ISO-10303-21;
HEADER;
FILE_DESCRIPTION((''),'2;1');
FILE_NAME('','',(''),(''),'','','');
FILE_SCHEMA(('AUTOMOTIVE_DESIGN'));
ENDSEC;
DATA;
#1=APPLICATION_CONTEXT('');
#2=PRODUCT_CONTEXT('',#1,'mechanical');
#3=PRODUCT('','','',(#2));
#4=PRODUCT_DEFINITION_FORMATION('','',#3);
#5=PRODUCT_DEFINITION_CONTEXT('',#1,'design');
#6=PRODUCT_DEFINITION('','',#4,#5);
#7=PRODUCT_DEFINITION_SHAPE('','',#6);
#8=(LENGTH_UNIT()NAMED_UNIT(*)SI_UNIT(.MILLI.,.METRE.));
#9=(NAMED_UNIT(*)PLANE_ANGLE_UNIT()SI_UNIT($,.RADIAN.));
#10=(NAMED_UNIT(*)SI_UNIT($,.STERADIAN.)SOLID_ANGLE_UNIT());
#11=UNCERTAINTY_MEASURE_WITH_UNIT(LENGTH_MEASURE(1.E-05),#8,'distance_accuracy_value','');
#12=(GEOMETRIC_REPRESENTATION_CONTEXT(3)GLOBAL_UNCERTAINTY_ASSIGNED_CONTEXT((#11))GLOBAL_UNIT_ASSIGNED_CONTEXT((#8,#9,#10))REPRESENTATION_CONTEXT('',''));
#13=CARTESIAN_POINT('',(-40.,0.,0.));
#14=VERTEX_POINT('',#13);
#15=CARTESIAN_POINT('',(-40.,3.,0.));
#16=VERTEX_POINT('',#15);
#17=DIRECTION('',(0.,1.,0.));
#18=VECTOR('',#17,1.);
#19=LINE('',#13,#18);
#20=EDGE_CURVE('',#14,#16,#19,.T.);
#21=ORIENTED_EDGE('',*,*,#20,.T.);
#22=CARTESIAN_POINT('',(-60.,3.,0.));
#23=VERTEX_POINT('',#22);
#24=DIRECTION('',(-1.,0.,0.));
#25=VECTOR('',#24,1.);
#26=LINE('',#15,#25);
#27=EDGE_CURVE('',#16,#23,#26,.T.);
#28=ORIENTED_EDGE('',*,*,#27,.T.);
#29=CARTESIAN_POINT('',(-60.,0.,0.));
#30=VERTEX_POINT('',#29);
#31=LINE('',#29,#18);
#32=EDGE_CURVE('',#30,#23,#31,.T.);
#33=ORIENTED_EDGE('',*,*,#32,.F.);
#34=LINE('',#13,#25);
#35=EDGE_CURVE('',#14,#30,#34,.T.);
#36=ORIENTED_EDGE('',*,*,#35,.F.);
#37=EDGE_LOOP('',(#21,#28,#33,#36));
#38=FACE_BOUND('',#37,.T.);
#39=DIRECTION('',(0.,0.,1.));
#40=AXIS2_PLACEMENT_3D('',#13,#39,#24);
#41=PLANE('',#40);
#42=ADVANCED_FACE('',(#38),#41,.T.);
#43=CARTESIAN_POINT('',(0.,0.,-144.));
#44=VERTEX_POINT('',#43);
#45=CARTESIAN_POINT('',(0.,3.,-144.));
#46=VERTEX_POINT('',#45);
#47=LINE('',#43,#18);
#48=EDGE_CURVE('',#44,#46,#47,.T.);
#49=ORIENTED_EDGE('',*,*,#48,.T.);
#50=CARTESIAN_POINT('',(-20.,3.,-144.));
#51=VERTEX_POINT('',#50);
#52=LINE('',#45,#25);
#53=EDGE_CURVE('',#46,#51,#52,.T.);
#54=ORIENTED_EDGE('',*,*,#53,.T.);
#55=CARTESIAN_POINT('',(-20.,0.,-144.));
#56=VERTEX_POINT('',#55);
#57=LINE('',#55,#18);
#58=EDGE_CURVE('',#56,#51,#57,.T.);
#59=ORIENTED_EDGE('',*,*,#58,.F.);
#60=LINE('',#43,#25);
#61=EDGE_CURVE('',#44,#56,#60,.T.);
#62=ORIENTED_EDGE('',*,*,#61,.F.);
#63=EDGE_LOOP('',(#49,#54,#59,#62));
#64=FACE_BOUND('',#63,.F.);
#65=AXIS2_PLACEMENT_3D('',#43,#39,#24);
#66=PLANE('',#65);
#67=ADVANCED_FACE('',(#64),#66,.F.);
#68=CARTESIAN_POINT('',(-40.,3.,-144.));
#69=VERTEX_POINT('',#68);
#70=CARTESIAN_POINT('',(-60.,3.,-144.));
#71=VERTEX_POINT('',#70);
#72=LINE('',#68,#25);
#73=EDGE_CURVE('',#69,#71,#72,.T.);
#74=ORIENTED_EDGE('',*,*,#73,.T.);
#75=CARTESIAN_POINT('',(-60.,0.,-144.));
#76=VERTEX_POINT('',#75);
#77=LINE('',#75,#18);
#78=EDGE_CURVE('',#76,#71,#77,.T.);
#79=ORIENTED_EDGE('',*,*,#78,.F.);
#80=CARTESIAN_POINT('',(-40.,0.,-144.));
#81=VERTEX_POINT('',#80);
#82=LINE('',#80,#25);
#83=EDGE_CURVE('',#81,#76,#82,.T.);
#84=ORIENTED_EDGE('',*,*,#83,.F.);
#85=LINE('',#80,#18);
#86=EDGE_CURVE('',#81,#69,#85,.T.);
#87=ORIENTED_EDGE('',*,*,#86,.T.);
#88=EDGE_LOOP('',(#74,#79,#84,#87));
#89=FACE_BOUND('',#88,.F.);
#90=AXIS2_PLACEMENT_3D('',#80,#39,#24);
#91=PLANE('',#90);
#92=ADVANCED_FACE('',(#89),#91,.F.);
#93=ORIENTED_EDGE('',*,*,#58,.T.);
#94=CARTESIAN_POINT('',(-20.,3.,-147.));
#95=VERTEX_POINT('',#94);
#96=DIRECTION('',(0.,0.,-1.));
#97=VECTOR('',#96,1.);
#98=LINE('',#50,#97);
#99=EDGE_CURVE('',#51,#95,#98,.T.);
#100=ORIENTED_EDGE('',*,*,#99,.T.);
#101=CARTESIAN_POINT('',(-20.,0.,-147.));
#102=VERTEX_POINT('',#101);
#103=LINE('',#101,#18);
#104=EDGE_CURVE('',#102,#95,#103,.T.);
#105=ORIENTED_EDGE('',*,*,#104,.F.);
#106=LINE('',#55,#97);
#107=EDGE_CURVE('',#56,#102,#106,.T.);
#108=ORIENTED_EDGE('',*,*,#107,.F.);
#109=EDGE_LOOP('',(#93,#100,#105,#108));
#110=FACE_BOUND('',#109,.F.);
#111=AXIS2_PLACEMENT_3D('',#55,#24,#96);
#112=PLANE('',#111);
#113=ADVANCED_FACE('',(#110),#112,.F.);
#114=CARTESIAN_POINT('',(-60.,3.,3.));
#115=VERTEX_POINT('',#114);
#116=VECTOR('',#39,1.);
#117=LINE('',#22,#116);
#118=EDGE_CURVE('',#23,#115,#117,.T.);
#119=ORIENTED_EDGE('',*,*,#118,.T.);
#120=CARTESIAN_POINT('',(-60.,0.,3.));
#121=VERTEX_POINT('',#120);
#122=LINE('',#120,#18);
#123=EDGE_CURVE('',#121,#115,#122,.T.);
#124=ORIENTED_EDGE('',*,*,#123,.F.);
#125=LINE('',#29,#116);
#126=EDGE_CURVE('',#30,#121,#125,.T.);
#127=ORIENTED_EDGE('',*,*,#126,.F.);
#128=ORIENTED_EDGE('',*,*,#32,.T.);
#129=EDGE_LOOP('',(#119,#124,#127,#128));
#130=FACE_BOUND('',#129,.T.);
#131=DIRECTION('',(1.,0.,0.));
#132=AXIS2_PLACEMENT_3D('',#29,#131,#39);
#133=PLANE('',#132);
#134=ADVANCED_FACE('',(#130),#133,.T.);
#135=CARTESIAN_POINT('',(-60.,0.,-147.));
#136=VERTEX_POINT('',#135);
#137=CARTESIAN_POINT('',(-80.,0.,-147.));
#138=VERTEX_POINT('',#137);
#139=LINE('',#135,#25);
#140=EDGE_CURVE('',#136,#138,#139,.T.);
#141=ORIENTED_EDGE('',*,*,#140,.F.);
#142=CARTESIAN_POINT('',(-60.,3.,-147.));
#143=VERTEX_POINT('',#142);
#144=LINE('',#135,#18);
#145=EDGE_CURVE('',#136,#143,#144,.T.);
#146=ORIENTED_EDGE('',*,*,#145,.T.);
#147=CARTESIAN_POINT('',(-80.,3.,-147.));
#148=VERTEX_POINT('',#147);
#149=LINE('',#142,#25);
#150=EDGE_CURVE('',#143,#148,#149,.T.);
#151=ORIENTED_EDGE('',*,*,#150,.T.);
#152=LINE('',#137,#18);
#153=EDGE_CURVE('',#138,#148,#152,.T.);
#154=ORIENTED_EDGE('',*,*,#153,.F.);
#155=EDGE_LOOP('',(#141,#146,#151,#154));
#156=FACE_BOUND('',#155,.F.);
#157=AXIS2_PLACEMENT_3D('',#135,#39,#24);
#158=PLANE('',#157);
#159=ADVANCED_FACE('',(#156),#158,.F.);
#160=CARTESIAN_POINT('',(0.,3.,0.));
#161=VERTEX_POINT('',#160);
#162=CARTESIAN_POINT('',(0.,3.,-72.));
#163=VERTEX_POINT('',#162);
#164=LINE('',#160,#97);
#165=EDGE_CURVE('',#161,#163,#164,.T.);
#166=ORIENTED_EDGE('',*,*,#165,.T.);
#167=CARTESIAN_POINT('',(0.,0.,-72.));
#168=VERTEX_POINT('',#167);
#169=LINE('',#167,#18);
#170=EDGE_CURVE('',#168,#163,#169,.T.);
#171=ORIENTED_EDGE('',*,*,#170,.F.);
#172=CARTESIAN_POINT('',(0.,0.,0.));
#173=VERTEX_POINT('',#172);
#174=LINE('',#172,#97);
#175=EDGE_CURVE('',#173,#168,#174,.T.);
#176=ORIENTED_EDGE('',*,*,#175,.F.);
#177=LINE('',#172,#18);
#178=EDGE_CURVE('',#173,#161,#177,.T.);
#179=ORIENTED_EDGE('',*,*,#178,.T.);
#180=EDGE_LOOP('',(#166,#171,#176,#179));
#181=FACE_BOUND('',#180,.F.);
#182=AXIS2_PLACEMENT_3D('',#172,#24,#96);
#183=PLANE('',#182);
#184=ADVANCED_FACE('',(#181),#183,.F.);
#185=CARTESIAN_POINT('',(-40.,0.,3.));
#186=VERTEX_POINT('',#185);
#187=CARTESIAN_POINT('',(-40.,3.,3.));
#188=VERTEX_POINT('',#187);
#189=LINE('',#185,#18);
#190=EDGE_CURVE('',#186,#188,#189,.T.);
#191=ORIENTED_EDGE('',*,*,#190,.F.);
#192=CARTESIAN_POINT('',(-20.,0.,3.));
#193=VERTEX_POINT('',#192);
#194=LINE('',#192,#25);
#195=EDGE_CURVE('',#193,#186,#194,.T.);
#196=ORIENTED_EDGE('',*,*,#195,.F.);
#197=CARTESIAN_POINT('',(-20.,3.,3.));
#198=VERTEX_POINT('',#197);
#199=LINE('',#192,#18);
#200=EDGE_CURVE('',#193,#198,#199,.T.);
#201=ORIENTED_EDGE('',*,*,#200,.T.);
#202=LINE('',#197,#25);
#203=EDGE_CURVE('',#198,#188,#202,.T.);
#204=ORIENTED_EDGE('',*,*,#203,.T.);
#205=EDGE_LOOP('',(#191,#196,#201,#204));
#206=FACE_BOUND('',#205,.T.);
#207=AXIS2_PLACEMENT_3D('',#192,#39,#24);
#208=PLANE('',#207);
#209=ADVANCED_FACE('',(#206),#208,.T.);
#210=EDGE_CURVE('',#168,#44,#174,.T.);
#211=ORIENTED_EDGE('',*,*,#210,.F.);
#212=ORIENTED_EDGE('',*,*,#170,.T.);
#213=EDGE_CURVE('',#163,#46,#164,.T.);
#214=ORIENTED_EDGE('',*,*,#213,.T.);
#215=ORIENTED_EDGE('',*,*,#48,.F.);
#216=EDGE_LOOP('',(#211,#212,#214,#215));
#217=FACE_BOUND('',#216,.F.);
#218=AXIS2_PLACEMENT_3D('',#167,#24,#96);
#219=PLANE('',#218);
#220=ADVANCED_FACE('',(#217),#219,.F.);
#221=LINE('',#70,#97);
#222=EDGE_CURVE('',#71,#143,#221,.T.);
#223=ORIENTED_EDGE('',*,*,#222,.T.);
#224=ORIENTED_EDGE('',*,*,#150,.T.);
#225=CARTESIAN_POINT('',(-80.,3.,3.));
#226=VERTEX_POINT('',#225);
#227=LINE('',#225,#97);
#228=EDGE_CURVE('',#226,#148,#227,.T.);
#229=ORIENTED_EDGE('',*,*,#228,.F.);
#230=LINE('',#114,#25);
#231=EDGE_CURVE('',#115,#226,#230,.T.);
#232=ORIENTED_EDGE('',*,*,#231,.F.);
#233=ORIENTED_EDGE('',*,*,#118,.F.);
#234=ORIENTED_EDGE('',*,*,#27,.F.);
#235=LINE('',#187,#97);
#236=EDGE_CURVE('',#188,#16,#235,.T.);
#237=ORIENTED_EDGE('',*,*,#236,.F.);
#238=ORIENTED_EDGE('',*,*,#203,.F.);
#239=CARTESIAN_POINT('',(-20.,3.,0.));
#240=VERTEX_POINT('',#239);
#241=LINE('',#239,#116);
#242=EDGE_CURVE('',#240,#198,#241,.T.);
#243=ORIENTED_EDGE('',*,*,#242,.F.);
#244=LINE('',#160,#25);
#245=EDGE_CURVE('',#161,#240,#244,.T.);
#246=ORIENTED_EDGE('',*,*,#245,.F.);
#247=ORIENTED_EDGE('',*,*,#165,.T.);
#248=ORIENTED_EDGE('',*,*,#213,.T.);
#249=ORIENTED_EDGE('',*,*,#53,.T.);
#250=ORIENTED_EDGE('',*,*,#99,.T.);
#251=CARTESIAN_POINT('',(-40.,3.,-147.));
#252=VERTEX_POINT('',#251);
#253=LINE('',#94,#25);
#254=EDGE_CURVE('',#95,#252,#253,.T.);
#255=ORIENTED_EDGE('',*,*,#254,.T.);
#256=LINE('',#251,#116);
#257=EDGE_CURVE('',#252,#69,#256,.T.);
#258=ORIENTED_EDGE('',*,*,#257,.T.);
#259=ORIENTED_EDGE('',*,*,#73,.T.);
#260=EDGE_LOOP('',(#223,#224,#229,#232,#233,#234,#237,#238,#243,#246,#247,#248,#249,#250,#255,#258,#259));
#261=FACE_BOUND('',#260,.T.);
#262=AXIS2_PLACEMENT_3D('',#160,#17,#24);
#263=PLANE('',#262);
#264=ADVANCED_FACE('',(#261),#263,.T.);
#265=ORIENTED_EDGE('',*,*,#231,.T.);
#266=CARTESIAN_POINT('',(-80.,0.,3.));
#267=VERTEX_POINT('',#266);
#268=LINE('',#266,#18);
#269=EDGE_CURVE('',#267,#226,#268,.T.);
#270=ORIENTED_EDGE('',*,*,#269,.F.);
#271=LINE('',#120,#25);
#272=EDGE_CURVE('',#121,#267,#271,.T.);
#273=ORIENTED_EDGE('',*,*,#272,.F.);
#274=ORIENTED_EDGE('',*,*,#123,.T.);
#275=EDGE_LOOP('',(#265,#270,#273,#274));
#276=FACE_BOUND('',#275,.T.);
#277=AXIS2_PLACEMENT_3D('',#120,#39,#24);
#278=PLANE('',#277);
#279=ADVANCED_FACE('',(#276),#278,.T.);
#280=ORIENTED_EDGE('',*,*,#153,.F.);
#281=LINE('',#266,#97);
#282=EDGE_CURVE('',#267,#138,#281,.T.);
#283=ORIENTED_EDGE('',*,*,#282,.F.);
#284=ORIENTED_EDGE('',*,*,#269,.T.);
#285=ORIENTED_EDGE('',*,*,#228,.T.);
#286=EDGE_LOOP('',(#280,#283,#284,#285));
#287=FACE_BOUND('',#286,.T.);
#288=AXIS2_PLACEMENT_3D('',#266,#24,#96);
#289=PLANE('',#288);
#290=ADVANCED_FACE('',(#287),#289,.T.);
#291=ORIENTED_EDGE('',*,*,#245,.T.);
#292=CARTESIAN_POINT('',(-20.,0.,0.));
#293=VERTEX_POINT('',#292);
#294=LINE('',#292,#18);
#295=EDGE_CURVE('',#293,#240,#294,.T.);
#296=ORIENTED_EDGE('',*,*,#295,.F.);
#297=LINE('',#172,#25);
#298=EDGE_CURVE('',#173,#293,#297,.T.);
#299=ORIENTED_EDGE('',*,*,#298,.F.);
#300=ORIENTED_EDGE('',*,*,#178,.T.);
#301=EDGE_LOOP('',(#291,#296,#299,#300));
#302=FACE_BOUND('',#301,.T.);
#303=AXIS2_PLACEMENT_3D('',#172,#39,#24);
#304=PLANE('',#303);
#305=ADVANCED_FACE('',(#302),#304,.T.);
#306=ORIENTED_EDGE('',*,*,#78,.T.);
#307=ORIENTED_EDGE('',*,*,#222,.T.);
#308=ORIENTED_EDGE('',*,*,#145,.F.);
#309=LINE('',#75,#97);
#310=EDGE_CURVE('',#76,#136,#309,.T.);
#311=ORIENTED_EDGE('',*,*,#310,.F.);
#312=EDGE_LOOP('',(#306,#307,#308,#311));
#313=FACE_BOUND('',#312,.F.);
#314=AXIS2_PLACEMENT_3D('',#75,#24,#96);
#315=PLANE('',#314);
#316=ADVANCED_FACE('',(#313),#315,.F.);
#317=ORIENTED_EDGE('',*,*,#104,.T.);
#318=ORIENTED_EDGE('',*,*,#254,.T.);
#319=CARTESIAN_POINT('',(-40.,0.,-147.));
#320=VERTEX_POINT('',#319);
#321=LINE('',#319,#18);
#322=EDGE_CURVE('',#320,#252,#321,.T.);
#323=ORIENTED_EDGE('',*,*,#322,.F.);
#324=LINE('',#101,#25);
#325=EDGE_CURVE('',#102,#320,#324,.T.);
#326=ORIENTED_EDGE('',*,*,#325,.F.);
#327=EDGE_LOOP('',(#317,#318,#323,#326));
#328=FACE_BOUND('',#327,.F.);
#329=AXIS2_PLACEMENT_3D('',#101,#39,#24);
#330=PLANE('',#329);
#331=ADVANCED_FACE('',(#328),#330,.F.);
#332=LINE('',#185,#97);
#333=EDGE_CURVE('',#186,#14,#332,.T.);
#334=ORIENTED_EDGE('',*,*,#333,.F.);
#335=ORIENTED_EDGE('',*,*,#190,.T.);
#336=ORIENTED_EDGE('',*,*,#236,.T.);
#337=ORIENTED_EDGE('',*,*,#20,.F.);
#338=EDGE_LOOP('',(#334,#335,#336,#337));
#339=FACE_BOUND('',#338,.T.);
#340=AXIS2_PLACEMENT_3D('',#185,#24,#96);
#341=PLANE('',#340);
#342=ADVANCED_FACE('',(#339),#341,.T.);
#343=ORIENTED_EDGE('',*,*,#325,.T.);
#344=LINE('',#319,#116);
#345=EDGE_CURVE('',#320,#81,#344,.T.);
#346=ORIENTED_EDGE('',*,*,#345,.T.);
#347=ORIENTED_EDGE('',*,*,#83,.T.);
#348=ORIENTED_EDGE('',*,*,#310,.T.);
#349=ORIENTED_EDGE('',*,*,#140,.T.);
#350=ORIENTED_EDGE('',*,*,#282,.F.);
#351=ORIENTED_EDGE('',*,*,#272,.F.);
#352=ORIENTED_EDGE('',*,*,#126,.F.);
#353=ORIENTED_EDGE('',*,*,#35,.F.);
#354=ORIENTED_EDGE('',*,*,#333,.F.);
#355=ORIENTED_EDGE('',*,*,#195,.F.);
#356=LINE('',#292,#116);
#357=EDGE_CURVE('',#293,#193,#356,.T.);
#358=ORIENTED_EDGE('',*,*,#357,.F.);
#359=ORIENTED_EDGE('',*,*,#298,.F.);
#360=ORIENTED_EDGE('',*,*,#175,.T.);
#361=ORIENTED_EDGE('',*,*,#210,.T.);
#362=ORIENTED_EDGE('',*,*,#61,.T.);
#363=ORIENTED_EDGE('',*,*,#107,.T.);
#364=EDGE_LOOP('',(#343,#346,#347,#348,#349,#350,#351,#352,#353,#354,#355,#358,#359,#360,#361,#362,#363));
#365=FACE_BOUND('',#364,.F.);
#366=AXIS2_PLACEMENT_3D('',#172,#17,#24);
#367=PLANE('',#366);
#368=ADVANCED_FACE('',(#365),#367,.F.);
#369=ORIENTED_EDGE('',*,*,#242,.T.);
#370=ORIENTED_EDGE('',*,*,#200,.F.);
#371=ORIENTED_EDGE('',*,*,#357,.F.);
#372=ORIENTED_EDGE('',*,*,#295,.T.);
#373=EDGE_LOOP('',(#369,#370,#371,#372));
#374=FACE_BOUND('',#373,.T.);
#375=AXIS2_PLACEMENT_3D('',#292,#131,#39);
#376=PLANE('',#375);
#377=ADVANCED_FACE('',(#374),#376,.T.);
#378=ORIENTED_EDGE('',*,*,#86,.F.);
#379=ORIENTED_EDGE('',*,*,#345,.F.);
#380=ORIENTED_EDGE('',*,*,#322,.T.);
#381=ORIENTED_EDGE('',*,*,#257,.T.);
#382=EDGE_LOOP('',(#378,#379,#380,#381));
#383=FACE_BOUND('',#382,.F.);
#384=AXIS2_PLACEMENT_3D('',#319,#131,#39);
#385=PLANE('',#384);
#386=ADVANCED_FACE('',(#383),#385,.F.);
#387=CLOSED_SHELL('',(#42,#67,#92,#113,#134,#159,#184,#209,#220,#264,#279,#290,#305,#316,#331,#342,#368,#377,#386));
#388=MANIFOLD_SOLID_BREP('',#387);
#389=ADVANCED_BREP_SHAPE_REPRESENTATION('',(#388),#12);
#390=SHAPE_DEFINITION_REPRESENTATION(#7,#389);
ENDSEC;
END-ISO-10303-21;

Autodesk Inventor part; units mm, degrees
ref_plane "YZ Plane" through (0, 0, 0) normal (1, 0, 0) x (0, 1, 0)
ref_plane "XZ Plane" through (0, 0, 0) normal (0, 1, 0) x (-1, 0, 0)
ref_plane "XY Plane" through (0, 0, 0) normal (0, 0, 1) x (1, 0, 0)
sketch "Sketch1" plane through (0, 0, 0) normal (0, 1, 0) x (-1, 0, 0)
  line L0 (0, 0) -> (0, -144)
  line L1 (0, 0) -> (20, 0)
  line L2 (20, 0) -> (20, 3)
  line L3 (20, 3) -> (40, 3)
  line L4 (40, 3) -> (40, 0)
  line L5 (40, 0) -> (60, 0)
  line L6 (60, 0) -> (60, 3)
  line L7 (60, 3) -> (80, 3)
  line L8 (0, -72) -> (20, -72)
  line L9 (0, -144) -> (20, -144)
  line L10 (20, -144) -> (20, -147)
  line L11 (20, -147) -> (40, -147)
  line L12 (40, -147) -> (40, -144)
  line L13 (40, -144) -> (60, -144)
  line L14 (60, -144) -> (60, -147)
  line L15 (60, -147) -> (80, -147)
  line L16 (80, 3) -> (80, -147)
  dimension "d0" = 144
  dimension "d1" = 20
  dimension "d2" = 3
  dimension "d3" = 20
  dimension "d4" = 20
  dimension "d5" = 20
  dimension "d6" = 20
extrude "Extrusion1" add sketch "Sketch1" along normal blind 3
properties part number "base prt 2 N" material "ABS Plastic"
